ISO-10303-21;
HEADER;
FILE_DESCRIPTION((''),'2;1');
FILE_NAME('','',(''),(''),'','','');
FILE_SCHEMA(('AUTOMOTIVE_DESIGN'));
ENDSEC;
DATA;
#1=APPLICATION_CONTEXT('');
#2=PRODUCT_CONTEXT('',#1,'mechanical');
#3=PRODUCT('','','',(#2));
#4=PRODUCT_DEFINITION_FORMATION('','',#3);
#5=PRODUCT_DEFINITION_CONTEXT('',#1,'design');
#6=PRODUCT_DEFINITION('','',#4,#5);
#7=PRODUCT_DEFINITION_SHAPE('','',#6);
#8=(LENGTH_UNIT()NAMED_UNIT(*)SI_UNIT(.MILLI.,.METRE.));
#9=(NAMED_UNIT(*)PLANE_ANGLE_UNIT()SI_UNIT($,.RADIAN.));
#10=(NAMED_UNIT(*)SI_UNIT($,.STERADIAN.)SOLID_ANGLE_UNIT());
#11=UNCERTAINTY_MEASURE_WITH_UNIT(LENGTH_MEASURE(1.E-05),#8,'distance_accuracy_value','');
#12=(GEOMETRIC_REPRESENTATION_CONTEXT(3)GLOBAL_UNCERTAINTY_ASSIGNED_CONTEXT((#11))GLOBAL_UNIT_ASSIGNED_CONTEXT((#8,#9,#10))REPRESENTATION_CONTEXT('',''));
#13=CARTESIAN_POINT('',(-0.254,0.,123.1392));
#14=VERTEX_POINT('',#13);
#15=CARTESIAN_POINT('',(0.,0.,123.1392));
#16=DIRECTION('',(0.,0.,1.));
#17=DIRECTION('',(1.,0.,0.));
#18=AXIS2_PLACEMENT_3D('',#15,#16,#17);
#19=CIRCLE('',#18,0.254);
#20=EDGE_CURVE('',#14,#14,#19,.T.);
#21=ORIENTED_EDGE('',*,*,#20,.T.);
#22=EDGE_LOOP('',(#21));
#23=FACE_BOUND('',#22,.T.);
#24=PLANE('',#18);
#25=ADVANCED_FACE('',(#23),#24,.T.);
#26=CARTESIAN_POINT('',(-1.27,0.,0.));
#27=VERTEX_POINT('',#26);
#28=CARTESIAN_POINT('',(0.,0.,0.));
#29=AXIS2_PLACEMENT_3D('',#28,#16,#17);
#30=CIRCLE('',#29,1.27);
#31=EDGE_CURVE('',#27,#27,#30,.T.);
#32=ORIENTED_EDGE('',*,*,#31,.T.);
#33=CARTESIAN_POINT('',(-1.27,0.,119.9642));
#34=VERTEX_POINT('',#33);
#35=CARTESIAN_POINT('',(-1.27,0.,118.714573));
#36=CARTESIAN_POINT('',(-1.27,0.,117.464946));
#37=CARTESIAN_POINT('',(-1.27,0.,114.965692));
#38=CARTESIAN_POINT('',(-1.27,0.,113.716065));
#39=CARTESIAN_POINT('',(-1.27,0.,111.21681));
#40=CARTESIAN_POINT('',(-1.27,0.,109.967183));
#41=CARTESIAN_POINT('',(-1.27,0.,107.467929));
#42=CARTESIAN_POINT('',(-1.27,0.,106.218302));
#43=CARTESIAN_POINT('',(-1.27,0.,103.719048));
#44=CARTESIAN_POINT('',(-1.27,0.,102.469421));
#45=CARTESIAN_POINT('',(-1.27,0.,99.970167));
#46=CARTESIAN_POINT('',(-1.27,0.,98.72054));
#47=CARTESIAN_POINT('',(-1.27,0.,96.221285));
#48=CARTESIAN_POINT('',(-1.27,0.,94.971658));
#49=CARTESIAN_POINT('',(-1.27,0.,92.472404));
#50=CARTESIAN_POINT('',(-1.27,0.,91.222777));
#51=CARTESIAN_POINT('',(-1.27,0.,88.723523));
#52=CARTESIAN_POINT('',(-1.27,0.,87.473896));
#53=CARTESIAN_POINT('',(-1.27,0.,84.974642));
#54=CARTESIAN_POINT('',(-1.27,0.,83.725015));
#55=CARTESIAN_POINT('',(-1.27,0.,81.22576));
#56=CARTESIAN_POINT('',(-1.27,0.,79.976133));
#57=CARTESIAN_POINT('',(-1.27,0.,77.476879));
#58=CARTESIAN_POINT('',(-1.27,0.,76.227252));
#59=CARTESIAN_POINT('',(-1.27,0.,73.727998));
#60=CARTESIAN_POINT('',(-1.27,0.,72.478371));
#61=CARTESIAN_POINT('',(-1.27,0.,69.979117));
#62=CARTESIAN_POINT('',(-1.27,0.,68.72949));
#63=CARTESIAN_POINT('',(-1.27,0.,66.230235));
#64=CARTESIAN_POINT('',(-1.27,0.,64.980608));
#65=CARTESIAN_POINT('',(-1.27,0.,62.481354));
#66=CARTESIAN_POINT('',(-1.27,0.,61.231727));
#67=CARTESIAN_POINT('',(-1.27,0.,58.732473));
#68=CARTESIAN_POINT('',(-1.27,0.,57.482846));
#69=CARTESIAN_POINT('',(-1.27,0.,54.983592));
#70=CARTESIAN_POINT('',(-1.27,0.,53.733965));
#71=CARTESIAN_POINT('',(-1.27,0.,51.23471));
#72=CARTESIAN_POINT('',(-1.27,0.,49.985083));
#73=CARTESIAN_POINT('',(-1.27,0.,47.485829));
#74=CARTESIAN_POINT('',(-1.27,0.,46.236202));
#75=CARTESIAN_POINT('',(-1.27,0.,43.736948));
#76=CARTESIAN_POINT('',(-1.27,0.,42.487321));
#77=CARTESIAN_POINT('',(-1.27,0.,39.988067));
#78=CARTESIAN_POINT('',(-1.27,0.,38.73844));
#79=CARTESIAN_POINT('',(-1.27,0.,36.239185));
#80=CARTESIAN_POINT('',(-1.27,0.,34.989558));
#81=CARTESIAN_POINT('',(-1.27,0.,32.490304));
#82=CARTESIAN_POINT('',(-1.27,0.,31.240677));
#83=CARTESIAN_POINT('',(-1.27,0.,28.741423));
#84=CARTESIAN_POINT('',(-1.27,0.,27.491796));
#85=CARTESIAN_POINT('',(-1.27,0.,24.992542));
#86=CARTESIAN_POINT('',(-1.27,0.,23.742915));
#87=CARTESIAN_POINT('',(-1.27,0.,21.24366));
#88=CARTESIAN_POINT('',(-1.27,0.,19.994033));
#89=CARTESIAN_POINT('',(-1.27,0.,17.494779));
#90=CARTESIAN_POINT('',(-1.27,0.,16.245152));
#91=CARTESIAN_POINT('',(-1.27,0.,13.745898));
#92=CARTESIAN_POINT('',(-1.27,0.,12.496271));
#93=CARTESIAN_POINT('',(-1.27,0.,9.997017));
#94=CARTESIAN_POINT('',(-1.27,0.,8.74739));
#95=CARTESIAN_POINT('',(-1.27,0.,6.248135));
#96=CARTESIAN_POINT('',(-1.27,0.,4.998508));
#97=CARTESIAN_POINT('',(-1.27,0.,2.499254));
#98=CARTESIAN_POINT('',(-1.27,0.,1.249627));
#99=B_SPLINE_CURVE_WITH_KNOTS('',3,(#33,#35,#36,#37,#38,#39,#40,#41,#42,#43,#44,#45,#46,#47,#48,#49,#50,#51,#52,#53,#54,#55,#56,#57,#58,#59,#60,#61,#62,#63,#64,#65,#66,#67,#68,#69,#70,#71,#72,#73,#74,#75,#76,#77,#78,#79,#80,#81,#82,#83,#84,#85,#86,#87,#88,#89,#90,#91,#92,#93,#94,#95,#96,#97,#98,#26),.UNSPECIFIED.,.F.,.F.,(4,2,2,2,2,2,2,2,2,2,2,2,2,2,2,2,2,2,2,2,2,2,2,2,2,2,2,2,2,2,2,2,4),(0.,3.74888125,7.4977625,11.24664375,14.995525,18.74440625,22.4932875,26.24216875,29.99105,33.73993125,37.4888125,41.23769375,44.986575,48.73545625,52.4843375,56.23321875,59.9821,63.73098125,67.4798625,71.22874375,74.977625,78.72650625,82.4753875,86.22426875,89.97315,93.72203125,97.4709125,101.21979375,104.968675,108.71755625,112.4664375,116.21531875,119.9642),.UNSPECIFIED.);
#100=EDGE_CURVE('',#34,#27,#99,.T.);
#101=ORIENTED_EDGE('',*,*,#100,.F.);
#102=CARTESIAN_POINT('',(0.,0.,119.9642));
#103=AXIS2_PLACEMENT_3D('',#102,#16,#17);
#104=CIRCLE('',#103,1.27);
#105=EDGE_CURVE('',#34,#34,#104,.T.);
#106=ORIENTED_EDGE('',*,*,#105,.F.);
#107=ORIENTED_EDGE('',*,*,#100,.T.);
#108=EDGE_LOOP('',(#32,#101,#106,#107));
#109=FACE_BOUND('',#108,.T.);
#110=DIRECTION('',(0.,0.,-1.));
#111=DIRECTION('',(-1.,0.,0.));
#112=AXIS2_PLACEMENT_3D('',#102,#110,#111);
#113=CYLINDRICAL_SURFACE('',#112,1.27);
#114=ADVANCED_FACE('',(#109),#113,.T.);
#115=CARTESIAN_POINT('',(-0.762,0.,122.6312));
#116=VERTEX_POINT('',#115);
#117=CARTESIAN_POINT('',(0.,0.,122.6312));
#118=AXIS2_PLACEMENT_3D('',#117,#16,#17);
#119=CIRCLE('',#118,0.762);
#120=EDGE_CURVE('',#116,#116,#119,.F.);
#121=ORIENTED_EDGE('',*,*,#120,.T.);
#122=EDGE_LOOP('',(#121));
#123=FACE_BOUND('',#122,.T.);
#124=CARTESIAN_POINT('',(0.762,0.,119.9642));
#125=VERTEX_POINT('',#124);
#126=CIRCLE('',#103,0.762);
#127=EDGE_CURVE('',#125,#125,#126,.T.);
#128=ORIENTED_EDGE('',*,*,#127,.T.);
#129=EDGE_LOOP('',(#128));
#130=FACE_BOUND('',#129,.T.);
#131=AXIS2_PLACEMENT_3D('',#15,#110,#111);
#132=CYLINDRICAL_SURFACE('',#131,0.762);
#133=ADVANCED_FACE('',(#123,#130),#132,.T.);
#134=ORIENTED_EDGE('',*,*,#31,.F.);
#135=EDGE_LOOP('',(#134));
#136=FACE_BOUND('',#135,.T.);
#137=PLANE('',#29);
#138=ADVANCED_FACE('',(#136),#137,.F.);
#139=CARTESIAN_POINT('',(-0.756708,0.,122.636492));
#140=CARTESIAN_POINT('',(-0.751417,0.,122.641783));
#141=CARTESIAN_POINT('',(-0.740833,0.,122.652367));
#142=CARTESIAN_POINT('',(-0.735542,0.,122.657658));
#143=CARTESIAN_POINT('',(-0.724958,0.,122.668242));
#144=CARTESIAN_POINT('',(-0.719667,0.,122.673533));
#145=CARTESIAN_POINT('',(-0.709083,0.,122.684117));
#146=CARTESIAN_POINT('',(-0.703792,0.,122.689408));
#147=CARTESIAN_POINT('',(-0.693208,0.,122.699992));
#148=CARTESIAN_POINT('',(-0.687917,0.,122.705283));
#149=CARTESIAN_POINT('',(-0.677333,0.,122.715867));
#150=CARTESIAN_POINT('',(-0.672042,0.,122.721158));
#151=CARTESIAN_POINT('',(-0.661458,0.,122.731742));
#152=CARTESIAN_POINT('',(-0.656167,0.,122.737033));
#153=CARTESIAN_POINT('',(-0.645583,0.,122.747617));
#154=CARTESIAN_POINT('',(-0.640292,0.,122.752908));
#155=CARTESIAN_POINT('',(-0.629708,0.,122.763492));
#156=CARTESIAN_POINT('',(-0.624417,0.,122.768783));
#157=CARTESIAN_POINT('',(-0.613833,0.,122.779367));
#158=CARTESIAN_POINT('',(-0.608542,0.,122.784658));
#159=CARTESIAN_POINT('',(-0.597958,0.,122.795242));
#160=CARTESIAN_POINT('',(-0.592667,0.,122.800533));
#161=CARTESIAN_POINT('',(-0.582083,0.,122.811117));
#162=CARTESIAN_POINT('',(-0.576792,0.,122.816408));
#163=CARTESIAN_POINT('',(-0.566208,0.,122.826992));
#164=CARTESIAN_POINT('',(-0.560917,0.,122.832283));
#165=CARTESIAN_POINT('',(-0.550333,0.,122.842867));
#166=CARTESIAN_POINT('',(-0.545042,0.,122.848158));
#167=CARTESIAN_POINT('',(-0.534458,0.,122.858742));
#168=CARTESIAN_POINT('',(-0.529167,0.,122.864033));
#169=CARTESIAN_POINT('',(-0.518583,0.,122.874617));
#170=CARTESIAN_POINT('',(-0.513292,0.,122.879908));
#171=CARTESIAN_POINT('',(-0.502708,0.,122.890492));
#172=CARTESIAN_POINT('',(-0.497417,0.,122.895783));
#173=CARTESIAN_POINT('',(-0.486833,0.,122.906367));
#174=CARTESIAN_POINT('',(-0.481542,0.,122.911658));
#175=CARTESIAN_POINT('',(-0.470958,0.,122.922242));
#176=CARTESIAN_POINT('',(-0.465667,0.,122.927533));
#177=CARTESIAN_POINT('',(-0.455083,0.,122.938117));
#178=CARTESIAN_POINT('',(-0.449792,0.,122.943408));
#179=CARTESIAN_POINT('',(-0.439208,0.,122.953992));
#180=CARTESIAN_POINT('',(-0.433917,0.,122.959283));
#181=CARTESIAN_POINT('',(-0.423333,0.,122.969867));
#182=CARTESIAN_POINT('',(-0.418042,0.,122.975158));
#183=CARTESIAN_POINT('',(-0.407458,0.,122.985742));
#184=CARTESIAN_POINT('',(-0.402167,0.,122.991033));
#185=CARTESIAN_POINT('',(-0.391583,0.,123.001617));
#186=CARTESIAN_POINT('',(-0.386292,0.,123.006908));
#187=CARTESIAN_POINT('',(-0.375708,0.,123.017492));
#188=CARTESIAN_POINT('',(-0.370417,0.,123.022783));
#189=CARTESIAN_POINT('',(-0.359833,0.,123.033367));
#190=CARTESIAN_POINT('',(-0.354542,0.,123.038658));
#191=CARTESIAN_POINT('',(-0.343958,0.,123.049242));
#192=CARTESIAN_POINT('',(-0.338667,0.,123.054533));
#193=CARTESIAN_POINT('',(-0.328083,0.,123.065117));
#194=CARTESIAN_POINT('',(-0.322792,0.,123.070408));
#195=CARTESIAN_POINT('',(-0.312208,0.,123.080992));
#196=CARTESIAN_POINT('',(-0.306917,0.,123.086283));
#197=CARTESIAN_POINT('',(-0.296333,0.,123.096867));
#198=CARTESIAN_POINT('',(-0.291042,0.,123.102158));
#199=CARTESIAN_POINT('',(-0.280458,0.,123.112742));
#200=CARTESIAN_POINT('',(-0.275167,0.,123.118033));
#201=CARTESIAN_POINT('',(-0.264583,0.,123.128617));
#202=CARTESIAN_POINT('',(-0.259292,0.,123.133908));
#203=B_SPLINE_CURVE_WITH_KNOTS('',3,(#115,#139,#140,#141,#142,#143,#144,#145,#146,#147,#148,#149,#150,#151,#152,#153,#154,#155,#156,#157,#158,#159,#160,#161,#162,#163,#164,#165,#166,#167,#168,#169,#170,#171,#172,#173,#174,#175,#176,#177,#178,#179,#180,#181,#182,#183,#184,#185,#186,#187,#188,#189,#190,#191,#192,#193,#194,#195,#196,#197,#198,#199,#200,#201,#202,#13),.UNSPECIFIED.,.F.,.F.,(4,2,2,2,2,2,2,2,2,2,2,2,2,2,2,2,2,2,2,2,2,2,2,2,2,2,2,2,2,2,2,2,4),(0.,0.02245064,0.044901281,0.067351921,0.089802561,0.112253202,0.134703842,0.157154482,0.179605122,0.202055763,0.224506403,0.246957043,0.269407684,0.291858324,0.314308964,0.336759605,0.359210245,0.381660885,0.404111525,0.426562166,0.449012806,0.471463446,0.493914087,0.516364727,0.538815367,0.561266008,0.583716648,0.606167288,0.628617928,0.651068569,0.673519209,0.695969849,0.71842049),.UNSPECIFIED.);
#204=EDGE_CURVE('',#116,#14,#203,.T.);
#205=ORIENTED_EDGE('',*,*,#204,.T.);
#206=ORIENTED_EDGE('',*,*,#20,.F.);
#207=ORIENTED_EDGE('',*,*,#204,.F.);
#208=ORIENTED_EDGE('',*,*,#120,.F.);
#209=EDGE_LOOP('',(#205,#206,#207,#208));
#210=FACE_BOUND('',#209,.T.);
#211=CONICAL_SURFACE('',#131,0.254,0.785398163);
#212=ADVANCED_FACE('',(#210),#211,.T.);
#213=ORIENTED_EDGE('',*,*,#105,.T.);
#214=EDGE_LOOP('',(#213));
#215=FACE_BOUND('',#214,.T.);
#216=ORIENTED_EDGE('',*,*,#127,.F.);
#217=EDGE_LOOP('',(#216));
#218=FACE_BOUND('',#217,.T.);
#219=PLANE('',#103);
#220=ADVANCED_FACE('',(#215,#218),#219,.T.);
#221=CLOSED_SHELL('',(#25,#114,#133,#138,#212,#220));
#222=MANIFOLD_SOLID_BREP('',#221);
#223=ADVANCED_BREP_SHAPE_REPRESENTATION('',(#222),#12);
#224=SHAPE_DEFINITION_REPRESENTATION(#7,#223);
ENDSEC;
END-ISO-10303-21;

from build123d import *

# Parameters (mm, degrees)
SKETCH1_R           = 1.27
BOSS_EXTRUDE1_DEPTH = 119.9642
SKETCH3_R           = 0.762
BOSS_EXTRUDE2_DEPTH = 3.175
CHAMFER1_SIZE       = 0.508


with BuildPart() as part:
    # Sketch1 → Boss-Extrude1 (new body)
    with BuildSketch(Plane.XY):
        Circle(SKETCH1_R)
    extrude(amount=BOSS_EXTRUDE1_DEPTH)

    # Sketch3 → Boss-Extrude2 (add)
    with BuildSketch(Plane.XY.offset(119.9642)):
        Circle(SKETCH3_R)
    extrude(amount=BOSS_EXTRUDE2_DEPTH)

    # Chamfer1
    chamfer1_edges = [part.edges().sort_by_distance(p)[0] for p in [
        (-0.762, 0, 123.1392),
    ]]
    chamfer(chamfer1_edges, length=CHAMFER1_SIZE)


solid = part.part
